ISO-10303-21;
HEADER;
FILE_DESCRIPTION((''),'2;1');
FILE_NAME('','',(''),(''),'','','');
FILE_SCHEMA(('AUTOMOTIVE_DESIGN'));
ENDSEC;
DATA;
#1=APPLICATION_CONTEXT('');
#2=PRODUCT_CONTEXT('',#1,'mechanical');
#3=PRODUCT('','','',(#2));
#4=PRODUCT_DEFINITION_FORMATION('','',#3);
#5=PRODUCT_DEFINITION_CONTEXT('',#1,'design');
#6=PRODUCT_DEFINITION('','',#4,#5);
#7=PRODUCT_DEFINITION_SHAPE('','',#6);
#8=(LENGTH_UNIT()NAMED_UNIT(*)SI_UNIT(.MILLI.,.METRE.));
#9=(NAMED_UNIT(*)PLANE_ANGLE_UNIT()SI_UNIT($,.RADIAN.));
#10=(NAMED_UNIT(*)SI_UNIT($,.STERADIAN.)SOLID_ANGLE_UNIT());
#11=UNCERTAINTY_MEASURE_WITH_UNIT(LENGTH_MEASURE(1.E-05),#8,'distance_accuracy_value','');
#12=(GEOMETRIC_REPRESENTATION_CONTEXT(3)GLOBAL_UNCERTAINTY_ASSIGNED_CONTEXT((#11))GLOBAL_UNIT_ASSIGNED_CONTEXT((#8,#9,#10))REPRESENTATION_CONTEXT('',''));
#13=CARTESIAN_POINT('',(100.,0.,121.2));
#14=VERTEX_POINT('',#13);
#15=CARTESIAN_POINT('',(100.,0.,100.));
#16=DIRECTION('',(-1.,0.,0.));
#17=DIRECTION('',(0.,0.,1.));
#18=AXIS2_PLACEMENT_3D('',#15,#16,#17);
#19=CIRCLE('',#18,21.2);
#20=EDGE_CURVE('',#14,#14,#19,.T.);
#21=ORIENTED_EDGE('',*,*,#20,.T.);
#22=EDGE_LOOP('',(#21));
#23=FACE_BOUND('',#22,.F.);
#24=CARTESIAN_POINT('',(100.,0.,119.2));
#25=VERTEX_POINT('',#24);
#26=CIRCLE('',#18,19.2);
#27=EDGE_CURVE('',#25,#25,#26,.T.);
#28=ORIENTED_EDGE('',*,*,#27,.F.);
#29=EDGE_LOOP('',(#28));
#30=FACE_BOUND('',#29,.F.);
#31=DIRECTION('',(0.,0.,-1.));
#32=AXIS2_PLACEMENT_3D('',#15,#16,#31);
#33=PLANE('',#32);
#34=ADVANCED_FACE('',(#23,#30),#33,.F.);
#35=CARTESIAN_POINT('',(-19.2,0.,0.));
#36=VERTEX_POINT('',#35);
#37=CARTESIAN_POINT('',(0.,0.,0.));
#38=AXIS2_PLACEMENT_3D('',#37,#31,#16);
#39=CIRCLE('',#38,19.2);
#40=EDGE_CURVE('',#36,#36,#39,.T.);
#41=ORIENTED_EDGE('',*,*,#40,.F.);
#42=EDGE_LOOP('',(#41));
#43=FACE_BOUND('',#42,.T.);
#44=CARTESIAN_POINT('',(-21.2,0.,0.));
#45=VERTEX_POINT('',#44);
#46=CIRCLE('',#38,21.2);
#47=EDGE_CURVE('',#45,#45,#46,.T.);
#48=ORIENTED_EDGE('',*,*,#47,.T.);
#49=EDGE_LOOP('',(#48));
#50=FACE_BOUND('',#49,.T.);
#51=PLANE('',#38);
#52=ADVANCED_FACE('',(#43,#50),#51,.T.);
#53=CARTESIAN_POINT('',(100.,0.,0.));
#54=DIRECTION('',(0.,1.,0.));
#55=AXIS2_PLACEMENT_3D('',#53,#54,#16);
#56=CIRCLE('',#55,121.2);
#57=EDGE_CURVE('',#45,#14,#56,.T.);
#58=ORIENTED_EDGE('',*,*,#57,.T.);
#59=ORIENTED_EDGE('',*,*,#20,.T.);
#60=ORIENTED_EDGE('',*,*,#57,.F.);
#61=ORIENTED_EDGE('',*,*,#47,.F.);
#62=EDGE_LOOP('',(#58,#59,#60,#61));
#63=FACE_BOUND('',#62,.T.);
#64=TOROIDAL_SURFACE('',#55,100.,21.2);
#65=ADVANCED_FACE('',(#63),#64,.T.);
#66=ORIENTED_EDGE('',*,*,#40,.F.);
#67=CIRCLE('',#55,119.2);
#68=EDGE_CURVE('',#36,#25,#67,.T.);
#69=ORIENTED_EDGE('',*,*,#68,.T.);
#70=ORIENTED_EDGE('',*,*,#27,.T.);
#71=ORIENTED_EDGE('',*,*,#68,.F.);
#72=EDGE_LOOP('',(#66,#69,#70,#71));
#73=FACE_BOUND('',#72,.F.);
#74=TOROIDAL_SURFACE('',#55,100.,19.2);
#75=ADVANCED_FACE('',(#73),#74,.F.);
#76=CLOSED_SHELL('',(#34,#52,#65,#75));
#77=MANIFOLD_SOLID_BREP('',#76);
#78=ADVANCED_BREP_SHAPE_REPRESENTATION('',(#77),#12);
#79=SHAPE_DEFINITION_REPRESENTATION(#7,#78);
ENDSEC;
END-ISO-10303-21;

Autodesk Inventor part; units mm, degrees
ref_plane "Start Plane" through (0, 0, 0) normal (0, 0, 1) x (1, 0, 0)
ref_plane "End Plane" through (0, 0, 157.0796) normal (0, 0, 1) x (1, 0, 0)
sketch "Sketch" plane through (0, 0, 0) normal (0, 0, -1) x (-1, 0, 0)
  circle A0 centre (0, 0) radius 19.2
  circle A1 centre (0, 0) radius 21.2
  dimension "d0" = 42.4
  dimension "d1" = 2
sketch "Sketch3" plane through (0, 0, 0) normal (0, 0, 1) x (1, 0, 0)
  line L0 (0, 0) -> (10, 0)
ref_plane "Work Plane3" through (0, 0, 0) normal (0, -1, 0) x (1, 0, 0)
ref_plane "Orientation Work Plane" through (0, 0, 0) normal (0, 0, -1) x (-1, 0, 0)
sketch3d "Sweep Path"
  arc A0 (0, 0, 0) -> (100, 0, 100) centre (100, 0, 0) ccw
sweep "Body" add profiles "Sketch" path "Sweep Path"
sketch "Sketch4" plane through (0, 0, 0) normal (0, -1, 0) x (1, 0, 0)
  line L0 (-2, 0) -> (12, 0) projected
  line L1 (-45.44, 157.0796) -> (124.24, 157.0796) projected
  dimension "d7" = 157.0796
equation "\"d0\" = G_H"
equation "\"d1\" = G_T"
equation "\"G_H\" = 42.4"
equation "\"G_T\" = 2"
equation "\"G_L\" = d7"
equation "\"G_OFFSET_START\" = 0"
equation "\"G_OFFSET_END\" = 0"
equation "\"d5\" = G_OFFSET_END + B_L"
equation "\"B_L\" = 157.07963"
properties part number "ISO 10799-2 - 42.4x2.0 - 157,08" material "Stainless Steel"
